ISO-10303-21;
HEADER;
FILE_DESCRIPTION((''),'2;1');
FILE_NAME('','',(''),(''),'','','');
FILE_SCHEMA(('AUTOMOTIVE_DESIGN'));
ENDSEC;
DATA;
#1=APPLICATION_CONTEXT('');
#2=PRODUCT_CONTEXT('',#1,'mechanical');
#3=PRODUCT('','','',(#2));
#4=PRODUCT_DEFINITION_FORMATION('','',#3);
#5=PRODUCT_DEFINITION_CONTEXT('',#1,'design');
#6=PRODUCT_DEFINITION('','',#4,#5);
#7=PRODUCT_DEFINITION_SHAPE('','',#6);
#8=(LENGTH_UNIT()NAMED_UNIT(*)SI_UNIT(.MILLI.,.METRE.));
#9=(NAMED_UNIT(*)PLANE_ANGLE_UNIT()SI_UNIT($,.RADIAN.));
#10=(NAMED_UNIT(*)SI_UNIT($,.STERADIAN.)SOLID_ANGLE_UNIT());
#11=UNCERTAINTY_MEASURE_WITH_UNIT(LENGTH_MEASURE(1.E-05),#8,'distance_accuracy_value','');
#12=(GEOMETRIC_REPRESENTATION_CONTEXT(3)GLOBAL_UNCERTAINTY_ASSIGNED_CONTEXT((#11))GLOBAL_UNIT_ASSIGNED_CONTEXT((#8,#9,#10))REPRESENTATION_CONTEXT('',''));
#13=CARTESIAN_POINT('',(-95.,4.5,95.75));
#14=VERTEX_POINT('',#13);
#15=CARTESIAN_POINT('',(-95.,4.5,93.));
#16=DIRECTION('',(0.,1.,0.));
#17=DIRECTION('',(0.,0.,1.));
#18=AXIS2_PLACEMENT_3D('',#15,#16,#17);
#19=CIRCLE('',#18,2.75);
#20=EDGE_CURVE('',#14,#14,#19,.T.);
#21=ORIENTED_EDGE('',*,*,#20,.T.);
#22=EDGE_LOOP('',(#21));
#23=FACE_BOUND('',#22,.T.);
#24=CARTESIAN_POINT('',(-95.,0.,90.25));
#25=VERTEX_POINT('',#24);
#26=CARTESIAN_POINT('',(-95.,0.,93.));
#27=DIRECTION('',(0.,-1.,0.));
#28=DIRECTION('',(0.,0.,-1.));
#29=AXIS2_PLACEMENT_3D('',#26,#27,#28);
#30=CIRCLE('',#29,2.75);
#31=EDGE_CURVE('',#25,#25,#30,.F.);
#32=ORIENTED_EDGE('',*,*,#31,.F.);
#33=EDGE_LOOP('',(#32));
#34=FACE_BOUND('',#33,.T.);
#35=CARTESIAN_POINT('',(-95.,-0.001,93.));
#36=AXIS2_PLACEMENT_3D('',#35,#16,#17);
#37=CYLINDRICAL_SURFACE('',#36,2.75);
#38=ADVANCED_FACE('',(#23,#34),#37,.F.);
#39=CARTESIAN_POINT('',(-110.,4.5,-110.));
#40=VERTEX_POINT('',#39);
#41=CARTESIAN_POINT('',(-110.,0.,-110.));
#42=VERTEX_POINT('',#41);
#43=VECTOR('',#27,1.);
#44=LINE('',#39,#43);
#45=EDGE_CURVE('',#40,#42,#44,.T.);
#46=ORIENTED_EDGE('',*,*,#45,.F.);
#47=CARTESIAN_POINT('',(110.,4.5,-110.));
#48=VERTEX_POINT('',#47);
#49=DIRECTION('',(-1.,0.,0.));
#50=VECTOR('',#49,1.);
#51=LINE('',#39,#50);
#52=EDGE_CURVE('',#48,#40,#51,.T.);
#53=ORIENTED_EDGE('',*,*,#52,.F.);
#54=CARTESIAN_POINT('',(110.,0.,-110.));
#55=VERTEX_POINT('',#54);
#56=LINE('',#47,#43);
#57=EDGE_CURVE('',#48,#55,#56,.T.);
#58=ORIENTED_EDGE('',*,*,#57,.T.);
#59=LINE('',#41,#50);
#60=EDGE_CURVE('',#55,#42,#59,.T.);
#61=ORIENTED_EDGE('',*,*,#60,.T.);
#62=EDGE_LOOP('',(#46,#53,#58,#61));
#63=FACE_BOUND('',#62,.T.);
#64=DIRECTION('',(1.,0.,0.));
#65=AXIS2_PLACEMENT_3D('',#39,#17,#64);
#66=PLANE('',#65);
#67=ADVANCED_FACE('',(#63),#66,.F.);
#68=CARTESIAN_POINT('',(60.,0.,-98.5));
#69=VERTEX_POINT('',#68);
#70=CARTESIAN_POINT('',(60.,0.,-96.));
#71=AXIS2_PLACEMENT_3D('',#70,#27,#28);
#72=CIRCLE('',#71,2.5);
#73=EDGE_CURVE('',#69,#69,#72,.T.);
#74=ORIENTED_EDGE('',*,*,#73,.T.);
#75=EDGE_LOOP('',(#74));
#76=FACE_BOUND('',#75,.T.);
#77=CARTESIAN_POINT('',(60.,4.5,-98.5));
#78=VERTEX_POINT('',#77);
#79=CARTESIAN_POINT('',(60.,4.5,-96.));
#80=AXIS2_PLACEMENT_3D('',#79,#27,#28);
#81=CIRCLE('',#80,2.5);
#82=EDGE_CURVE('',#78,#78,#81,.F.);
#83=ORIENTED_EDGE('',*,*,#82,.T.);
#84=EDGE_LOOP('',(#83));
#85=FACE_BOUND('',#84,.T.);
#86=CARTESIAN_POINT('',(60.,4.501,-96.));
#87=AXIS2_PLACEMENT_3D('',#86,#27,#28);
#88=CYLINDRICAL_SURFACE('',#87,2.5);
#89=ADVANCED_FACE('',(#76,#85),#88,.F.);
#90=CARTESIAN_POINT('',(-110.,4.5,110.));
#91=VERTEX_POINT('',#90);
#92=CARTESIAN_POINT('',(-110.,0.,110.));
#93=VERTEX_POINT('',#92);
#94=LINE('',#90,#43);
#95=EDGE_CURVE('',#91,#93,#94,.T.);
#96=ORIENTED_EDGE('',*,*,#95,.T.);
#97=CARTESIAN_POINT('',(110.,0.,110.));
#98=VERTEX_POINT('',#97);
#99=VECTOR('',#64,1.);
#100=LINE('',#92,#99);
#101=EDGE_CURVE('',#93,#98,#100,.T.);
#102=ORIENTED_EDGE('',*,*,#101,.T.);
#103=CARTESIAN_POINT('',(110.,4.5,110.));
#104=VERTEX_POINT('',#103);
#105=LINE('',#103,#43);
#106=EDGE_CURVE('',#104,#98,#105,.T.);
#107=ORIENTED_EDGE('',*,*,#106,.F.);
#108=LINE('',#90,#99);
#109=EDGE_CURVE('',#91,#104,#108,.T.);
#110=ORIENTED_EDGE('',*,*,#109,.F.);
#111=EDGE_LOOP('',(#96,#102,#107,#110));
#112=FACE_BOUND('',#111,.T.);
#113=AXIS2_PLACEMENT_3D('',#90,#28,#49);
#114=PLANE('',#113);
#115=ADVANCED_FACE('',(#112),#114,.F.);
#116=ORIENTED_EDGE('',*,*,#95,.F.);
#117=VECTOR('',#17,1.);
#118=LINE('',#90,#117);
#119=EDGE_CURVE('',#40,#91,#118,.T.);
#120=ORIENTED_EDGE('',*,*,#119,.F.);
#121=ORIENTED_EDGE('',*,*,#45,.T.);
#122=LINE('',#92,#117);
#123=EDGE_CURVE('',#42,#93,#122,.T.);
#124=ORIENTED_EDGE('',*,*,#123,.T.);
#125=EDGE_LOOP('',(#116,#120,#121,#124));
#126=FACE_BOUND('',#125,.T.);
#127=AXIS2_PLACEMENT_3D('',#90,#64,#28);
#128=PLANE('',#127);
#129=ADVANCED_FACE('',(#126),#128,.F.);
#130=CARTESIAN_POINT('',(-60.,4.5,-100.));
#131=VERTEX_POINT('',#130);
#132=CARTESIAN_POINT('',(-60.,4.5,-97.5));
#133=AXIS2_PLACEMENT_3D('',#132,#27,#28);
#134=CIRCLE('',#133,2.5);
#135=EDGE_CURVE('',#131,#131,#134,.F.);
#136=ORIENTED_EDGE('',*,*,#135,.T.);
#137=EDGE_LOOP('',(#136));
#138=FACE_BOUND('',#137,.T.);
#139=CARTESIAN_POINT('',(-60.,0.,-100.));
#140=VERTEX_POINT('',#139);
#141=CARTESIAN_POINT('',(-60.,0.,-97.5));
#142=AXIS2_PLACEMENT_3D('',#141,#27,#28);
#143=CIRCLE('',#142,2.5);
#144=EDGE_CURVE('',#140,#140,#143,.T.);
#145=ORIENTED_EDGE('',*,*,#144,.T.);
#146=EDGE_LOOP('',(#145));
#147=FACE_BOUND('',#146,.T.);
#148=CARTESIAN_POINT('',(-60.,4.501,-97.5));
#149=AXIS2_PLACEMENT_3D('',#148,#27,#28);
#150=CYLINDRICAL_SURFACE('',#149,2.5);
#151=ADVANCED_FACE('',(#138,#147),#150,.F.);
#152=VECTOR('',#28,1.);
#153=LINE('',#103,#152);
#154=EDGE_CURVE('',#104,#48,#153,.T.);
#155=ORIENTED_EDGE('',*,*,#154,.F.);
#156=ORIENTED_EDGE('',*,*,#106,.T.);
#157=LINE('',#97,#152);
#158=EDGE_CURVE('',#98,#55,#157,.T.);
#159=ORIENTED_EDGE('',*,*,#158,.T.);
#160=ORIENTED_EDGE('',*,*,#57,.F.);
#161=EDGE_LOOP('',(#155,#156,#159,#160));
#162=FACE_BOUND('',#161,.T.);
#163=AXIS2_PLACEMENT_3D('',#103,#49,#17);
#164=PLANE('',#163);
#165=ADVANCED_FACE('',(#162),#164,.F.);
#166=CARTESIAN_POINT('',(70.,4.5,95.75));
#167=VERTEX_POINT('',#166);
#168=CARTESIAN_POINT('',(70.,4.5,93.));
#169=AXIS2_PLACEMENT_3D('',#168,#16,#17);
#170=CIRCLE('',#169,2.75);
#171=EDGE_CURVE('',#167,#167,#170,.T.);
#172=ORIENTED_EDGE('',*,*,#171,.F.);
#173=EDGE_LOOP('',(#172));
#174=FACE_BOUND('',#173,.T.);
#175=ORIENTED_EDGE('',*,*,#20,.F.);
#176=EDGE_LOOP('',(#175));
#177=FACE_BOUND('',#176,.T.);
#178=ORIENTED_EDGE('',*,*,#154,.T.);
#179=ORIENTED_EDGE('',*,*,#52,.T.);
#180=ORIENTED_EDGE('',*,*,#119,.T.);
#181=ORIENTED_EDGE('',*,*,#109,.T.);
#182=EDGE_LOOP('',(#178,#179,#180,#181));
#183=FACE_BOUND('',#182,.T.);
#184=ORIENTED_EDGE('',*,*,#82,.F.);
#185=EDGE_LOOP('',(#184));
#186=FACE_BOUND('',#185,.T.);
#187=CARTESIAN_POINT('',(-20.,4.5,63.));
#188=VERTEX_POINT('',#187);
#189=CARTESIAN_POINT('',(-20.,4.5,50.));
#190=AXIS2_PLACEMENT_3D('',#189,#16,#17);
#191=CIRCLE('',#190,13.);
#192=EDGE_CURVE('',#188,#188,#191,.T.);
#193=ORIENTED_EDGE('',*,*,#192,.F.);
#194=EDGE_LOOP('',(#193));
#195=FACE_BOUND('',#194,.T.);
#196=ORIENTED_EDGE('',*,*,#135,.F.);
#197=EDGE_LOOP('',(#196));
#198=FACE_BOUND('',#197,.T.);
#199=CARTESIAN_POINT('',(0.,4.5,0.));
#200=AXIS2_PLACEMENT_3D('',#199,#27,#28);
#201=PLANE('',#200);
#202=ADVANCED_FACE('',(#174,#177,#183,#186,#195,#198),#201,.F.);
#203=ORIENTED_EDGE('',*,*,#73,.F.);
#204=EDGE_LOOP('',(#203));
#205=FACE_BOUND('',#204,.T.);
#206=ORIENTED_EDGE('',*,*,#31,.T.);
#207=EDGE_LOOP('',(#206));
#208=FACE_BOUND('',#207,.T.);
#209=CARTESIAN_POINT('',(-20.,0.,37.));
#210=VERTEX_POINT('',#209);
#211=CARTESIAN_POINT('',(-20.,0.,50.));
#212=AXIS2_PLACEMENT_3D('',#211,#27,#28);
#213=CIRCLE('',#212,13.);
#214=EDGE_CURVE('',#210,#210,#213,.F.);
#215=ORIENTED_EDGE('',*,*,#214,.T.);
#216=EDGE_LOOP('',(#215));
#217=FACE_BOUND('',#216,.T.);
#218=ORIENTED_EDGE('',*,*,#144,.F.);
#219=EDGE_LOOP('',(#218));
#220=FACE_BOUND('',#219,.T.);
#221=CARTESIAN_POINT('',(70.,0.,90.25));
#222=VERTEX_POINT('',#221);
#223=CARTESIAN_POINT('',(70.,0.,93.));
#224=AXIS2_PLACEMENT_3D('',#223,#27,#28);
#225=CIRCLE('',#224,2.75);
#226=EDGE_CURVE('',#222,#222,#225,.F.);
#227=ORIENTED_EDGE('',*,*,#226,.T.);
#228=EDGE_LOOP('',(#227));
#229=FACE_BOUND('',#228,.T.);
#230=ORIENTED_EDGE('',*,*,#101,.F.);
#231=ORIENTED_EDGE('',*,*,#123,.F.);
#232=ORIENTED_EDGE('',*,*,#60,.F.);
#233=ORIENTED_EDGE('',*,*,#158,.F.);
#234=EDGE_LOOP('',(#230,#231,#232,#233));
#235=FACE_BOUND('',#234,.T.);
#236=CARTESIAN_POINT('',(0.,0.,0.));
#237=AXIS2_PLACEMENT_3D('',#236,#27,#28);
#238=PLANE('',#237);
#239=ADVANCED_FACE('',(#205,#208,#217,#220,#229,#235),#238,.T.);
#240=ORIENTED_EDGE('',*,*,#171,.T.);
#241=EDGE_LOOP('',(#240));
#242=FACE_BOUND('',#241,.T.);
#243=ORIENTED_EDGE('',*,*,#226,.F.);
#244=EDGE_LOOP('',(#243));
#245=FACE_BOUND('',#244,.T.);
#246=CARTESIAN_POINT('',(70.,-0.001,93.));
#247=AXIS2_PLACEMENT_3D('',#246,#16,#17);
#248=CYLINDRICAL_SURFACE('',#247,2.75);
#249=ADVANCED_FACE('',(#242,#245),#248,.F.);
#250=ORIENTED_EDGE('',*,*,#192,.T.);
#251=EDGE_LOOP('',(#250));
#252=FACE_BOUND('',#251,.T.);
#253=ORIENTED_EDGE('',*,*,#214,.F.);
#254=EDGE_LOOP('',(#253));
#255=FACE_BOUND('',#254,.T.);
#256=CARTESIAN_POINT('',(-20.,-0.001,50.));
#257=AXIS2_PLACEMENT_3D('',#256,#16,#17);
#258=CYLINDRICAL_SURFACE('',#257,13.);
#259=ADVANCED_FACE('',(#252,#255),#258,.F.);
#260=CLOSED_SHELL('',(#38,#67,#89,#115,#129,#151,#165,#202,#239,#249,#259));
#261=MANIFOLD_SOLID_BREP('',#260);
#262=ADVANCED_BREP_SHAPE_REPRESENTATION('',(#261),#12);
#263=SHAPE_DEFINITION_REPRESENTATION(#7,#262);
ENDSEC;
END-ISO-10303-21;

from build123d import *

# Parameters (mm, degrees)
SKETCH1_W           = 220
SKETCH1_H           = 220
BOSS_EXTRUDE1_DEPTH = 4.5
CUT_EXTRUDE1_REACH  = 6.5
SKETCH2_R           = 13
CUT_EXTRUDE2_REACH  = 6.5
SKETCH3_R           = 2.75
CUT_EXTRUDE3_REACH  = 6.5
SKETCH4_R           = 2.5


with BuildPart() as part:
    # Sketch1 → Boss-Extrude1 (new body)
    with BuildSketch(Plane(origin=(0, 0, 0), x_dir=(1, 0, 0), z_dir=(0, 1, 0))):
        Rectangle(SKETCH1_W, SKETCH1_H)
    extrude(amount=BOSS_EXTRUDE1_DEPTH)

    # Sketch2 → Cut-Extrude1 (cut, up to next)
    with BuildSketch(Plane(origin=(0, 4.5, 0), x_dir=(1, 0, 0), z_dir=(0, 1, 0)), mode=Mode.PRIVATE) as cut_extrude1_sk1:
        with Locations((-20, -50)):
            Circle(SKETCH2_R)
    cut_extrude1_tool1 = extrude(cut_extrude1_sk1.sketch, amount=-CUT_EXTRUDE1_REACH, mode=Mode.PRIVATE) & part.part
    add(cut_extrude1_tool1.solids().sort_by_distance((-20, 4.5, 50))[0], mode=Mode.SUBTRACT)

    # Sketch3 → Cut-Extrude2 (cut, up to next)
    with BuildSketch(Plane(origin=(0, 4.5, 0), x_dir=(1, 0, 0), z_dir=(0, 1, 0)), mode=Mode.PRIVATE) as cut_extrude2_sk1:
        with Locations((-95, -93)):
            Circle(SKETCH3_R)
    cut_extrude2_tool1 = extrude(cut_extrude2_sk1.sketch, amount=-CUT_EXTRUDE2_REACH, mode=Mode.PRIVATE) & part.part
    add(cut_extrude2_tool1.solids().sort_by_distance((-95, 4.5, 93))[0], mode=Mode.SUBTRACT)
    # Sketch3 → Cut-Extrude2 (cut, up to next)
    with BuildSketch(Plane(origin=(0, 4.5, 0), x_dir=(1, 0, 0), z_dir=(0, 1, 0)), mode=Mode.PRIVATE) as cut_extrude2_sk2:
        with Locations((70, -93)):
            Circle(SKETCH3_R)
    cut_extrude2_tool2 = extrude(cut_extrude2_sk2.sketch, amount=-CUT_EXTRUDE2_REACH, mode=Mode.PRIVATE) & part.part
    add(cut_extrude2_tool2.solids().sort_by_distance((70, 4.5, 93))[0], mode=Mode.SUBTRACT)

    # Sketch4 → Cut-Extrude3 (cut, up to next)
    with BuildSketch(Plane(origin=(0, 0, 0), x_dir=(-1, 0, 0), z_dir=(0, -1, 0)), mode=Mode.PRIVATE) as cut_extrude3_sk1:
        with Locations((-60, 96)):
            Circle(SKETCH4_R)
    cut_extrude3_tool1 = extrude(cut_extrude3_sk1.sketch, amount=-CUT_EXTRUDE3_REACH, mode=Mode.PRIVATE) & part.part
    add(cut_extrude3_tool1.solids().sort_by_distance((60, 0, -96))[0], mode=Mode.SUBTRACT)
    # Sketch4 → Cut-Extrude3 (cut, up to next)
    with BuildSketch(Plane(origin=(0, 0, 0), x_dir=(-1, 0, 0), z_dir=(0, -1, 0)), mode=Mode.PRIVATE) as cut_extrude3_sk2:
        with Locations((60, 97.5)):
            Circle(SKETCH4_R)
    cut_extrude3_tool2 = extrude(cut_extrude3_sk2.sketch, amount=-CUT_EXTRUDE3_REACH, mode=Mode.PRIVATE) & part.part
    add(cut_extrude3_tool2.solids().sort_by_distance((-60, 0, -97.5))[0], mode=Mode.SUBTRACT)


solid = part.part
